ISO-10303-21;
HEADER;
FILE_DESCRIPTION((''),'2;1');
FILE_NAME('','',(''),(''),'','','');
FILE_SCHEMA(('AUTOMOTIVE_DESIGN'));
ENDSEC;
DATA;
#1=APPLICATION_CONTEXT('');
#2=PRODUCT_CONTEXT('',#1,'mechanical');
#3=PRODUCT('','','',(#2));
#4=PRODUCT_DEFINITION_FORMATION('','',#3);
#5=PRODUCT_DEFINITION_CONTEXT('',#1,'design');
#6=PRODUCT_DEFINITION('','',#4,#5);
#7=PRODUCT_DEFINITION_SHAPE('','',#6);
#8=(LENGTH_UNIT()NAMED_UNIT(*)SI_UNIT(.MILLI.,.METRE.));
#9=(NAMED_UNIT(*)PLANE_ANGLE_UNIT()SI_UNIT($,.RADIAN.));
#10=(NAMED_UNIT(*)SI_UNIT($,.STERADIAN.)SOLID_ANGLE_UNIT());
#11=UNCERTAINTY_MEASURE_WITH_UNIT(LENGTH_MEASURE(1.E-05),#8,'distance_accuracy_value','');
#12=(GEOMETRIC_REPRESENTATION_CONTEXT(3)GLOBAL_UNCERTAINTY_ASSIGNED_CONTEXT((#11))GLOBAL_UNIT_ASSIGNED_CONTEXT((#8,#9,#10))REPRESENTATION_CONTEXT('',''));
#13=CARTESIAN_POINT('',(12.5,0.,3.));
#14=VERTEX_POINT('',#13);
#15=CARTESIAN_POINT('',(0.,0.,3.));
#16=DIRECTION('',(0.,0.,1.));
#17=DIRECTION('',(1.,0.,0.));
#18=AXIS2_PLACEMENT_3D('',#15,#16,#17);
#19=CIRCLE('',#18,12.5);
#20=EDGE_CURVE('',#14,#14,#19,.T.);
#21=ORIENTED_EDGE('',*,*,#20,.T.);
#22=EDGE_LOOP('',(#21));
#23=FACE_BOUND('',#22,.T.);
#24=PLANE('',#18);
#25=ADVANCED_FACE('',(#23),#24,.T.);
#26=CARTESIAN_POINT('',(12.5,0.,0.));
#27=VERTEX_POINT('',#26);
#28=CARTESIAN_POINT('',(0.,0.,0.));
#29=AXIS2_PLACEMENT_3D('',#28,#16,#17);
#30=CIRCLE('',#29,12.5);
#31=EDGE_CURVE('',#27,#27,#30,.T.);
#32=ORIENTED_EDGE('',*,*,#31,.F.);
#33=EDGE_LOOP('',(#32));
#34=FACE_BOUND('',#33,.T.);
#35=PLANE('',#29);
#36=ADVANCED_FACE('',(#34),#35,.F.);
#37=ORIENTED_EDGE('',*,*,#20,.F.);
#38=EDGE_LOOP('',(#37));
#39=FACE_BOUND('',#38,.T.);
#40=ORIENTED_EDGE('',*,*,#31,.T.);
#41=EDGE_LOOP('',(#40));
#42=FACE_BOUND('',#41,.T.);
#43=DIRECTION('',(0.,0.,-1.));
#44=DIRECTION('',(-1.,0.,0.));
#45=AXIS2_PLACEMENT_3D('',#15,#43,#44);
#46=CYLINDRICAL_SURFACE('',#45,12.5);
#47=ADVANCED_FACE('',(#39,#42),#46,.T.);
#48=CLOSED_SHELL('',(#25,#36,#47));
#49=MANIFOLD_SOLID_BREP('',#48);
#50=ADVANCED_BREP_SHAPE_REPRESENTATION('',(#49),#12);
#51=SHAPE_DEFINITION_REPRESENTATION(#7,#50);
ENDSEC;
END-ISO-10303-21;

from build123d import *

# Parameters (mm, degrees)
SKETCH_1_R      = 12.5
EXTRUDE_1_DEPTH = 3


with BuildPart() as part:
    # 草图1 → 凸台-拉伸1 (new body)
    with BuildSketch(Plane.XY):
        Circle(SKETCH_1_R)
    extrude(amount=EXTRUDE_1_DEPTH)


solid = part.part
